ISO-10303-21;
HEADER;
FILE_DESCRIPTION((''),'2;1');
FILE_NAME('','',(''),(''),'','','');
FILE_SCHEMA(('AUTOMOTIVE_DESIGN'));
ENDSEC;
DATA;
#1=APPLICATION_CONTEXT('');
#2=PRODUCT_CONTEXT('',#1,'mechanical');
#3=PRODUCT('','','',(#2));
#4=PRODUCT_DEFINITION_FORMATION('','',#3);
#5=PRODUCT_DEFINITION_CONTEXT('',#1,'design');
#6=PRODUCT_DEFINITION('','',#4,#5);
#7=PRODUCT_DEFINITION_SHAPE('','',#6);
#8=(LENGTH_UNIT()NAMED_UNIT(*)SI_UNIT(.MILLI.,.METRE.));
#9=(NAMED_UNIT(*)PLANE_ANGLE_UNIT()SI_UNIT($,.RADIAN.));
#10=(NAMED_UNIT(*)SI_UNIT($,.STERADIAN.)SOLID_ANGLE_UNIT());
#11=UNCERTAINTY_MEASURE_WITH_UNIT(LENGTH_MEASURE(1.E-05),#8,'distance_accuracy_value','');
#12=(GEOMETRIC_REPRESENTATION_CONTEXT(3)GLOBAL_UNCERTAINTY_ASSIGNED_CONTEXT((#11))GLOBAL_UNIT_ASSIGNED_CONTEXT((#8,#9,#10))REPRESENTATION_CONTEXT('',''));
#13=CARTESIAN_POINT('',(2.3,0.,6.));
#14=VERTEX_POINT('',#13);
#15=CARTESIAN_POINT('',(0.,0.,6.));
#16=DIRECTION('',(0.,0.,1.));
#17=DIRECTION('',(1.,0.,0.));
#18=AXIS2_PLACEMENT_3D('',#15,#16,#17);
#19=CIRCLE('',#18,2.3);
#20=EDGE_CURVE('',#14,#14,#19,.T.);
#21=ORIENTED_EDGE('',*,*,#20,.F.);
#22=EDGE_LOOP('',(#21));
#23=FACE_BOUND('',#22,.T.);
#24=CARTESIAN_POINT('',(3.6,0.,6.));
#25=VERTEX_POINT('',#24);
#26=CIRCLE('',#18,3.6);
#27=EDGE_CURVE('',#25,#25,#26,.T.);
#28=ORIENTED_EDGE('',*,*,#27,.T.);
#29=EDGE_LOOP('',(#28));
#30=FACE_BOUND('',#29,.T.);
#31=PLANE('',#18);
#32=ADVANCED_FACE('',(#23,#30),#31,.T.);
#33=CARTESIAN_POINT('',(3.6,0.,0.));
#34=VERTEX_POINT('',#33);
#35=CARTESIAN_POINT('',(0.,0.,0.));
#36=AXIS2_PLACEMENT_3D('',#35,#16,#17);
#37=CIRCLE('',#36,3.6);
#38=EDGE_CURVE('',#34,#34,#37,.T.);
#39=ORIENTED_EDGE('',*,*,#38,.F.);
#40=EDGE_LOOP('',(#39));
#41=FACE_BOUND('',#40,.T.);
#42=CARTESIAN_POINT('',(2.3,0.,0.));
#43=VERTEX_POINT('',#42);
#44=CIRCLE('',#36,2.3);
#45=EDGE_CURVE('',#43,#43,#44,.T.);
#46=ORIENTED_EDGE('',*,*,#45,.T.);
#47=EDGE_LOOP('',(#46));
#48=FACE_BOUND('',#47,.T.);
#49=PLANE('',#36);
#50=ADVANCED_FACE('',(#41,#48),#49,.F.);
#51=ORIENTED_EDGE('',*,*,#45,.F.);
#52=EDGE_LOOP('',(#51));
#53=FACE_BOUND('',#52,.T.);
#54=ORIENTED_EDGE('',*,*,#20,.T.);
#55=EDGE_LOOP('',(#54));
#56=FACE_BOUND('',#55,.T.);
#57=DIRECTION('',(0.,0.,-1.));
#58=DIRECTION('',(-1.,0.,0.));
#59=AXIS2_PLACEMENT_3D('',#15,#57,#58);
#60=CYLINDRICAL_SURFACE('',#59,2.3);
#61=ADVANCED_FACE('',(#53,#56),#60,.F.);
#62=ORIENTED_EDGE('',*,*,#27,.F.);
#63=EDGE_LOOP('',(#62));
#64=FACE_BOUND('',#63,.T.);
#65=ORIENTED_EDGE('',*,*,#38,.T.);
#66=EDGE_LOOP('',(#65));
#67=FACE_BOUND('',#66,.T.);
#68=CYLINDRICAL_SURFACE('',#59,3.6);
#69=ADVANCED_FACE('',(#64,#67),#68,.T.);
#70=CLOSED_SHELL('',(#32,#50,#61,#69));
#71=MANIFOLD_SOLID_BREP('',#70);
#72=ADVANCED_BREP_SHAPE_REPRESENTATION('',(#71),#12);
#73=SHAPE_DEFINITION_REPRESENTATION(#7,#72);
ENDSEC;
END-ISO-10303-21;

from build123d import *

# Parameters (mm, degrees)
SKIZZE1_R                       = 3.6
SKIZZE1_R_2                     = 2.3
AUFSATZ_LINEAR_AUSTRAGEN1_DEPTH = 6


with BuildPart() as part:
    # Skizze1 → Aufsatz-Linear austragen1 (new body)
    with BuildSketch(Plane.XY):
        Circle(SKIZZE1_R)
        Circle(SKIZZE1_R_2, mode=Mode.SUBTRACT)
    extrude(amount=AUFSATZ_LINEAR_AUSTRAGEN1_DEPTH)


solid = part.part
